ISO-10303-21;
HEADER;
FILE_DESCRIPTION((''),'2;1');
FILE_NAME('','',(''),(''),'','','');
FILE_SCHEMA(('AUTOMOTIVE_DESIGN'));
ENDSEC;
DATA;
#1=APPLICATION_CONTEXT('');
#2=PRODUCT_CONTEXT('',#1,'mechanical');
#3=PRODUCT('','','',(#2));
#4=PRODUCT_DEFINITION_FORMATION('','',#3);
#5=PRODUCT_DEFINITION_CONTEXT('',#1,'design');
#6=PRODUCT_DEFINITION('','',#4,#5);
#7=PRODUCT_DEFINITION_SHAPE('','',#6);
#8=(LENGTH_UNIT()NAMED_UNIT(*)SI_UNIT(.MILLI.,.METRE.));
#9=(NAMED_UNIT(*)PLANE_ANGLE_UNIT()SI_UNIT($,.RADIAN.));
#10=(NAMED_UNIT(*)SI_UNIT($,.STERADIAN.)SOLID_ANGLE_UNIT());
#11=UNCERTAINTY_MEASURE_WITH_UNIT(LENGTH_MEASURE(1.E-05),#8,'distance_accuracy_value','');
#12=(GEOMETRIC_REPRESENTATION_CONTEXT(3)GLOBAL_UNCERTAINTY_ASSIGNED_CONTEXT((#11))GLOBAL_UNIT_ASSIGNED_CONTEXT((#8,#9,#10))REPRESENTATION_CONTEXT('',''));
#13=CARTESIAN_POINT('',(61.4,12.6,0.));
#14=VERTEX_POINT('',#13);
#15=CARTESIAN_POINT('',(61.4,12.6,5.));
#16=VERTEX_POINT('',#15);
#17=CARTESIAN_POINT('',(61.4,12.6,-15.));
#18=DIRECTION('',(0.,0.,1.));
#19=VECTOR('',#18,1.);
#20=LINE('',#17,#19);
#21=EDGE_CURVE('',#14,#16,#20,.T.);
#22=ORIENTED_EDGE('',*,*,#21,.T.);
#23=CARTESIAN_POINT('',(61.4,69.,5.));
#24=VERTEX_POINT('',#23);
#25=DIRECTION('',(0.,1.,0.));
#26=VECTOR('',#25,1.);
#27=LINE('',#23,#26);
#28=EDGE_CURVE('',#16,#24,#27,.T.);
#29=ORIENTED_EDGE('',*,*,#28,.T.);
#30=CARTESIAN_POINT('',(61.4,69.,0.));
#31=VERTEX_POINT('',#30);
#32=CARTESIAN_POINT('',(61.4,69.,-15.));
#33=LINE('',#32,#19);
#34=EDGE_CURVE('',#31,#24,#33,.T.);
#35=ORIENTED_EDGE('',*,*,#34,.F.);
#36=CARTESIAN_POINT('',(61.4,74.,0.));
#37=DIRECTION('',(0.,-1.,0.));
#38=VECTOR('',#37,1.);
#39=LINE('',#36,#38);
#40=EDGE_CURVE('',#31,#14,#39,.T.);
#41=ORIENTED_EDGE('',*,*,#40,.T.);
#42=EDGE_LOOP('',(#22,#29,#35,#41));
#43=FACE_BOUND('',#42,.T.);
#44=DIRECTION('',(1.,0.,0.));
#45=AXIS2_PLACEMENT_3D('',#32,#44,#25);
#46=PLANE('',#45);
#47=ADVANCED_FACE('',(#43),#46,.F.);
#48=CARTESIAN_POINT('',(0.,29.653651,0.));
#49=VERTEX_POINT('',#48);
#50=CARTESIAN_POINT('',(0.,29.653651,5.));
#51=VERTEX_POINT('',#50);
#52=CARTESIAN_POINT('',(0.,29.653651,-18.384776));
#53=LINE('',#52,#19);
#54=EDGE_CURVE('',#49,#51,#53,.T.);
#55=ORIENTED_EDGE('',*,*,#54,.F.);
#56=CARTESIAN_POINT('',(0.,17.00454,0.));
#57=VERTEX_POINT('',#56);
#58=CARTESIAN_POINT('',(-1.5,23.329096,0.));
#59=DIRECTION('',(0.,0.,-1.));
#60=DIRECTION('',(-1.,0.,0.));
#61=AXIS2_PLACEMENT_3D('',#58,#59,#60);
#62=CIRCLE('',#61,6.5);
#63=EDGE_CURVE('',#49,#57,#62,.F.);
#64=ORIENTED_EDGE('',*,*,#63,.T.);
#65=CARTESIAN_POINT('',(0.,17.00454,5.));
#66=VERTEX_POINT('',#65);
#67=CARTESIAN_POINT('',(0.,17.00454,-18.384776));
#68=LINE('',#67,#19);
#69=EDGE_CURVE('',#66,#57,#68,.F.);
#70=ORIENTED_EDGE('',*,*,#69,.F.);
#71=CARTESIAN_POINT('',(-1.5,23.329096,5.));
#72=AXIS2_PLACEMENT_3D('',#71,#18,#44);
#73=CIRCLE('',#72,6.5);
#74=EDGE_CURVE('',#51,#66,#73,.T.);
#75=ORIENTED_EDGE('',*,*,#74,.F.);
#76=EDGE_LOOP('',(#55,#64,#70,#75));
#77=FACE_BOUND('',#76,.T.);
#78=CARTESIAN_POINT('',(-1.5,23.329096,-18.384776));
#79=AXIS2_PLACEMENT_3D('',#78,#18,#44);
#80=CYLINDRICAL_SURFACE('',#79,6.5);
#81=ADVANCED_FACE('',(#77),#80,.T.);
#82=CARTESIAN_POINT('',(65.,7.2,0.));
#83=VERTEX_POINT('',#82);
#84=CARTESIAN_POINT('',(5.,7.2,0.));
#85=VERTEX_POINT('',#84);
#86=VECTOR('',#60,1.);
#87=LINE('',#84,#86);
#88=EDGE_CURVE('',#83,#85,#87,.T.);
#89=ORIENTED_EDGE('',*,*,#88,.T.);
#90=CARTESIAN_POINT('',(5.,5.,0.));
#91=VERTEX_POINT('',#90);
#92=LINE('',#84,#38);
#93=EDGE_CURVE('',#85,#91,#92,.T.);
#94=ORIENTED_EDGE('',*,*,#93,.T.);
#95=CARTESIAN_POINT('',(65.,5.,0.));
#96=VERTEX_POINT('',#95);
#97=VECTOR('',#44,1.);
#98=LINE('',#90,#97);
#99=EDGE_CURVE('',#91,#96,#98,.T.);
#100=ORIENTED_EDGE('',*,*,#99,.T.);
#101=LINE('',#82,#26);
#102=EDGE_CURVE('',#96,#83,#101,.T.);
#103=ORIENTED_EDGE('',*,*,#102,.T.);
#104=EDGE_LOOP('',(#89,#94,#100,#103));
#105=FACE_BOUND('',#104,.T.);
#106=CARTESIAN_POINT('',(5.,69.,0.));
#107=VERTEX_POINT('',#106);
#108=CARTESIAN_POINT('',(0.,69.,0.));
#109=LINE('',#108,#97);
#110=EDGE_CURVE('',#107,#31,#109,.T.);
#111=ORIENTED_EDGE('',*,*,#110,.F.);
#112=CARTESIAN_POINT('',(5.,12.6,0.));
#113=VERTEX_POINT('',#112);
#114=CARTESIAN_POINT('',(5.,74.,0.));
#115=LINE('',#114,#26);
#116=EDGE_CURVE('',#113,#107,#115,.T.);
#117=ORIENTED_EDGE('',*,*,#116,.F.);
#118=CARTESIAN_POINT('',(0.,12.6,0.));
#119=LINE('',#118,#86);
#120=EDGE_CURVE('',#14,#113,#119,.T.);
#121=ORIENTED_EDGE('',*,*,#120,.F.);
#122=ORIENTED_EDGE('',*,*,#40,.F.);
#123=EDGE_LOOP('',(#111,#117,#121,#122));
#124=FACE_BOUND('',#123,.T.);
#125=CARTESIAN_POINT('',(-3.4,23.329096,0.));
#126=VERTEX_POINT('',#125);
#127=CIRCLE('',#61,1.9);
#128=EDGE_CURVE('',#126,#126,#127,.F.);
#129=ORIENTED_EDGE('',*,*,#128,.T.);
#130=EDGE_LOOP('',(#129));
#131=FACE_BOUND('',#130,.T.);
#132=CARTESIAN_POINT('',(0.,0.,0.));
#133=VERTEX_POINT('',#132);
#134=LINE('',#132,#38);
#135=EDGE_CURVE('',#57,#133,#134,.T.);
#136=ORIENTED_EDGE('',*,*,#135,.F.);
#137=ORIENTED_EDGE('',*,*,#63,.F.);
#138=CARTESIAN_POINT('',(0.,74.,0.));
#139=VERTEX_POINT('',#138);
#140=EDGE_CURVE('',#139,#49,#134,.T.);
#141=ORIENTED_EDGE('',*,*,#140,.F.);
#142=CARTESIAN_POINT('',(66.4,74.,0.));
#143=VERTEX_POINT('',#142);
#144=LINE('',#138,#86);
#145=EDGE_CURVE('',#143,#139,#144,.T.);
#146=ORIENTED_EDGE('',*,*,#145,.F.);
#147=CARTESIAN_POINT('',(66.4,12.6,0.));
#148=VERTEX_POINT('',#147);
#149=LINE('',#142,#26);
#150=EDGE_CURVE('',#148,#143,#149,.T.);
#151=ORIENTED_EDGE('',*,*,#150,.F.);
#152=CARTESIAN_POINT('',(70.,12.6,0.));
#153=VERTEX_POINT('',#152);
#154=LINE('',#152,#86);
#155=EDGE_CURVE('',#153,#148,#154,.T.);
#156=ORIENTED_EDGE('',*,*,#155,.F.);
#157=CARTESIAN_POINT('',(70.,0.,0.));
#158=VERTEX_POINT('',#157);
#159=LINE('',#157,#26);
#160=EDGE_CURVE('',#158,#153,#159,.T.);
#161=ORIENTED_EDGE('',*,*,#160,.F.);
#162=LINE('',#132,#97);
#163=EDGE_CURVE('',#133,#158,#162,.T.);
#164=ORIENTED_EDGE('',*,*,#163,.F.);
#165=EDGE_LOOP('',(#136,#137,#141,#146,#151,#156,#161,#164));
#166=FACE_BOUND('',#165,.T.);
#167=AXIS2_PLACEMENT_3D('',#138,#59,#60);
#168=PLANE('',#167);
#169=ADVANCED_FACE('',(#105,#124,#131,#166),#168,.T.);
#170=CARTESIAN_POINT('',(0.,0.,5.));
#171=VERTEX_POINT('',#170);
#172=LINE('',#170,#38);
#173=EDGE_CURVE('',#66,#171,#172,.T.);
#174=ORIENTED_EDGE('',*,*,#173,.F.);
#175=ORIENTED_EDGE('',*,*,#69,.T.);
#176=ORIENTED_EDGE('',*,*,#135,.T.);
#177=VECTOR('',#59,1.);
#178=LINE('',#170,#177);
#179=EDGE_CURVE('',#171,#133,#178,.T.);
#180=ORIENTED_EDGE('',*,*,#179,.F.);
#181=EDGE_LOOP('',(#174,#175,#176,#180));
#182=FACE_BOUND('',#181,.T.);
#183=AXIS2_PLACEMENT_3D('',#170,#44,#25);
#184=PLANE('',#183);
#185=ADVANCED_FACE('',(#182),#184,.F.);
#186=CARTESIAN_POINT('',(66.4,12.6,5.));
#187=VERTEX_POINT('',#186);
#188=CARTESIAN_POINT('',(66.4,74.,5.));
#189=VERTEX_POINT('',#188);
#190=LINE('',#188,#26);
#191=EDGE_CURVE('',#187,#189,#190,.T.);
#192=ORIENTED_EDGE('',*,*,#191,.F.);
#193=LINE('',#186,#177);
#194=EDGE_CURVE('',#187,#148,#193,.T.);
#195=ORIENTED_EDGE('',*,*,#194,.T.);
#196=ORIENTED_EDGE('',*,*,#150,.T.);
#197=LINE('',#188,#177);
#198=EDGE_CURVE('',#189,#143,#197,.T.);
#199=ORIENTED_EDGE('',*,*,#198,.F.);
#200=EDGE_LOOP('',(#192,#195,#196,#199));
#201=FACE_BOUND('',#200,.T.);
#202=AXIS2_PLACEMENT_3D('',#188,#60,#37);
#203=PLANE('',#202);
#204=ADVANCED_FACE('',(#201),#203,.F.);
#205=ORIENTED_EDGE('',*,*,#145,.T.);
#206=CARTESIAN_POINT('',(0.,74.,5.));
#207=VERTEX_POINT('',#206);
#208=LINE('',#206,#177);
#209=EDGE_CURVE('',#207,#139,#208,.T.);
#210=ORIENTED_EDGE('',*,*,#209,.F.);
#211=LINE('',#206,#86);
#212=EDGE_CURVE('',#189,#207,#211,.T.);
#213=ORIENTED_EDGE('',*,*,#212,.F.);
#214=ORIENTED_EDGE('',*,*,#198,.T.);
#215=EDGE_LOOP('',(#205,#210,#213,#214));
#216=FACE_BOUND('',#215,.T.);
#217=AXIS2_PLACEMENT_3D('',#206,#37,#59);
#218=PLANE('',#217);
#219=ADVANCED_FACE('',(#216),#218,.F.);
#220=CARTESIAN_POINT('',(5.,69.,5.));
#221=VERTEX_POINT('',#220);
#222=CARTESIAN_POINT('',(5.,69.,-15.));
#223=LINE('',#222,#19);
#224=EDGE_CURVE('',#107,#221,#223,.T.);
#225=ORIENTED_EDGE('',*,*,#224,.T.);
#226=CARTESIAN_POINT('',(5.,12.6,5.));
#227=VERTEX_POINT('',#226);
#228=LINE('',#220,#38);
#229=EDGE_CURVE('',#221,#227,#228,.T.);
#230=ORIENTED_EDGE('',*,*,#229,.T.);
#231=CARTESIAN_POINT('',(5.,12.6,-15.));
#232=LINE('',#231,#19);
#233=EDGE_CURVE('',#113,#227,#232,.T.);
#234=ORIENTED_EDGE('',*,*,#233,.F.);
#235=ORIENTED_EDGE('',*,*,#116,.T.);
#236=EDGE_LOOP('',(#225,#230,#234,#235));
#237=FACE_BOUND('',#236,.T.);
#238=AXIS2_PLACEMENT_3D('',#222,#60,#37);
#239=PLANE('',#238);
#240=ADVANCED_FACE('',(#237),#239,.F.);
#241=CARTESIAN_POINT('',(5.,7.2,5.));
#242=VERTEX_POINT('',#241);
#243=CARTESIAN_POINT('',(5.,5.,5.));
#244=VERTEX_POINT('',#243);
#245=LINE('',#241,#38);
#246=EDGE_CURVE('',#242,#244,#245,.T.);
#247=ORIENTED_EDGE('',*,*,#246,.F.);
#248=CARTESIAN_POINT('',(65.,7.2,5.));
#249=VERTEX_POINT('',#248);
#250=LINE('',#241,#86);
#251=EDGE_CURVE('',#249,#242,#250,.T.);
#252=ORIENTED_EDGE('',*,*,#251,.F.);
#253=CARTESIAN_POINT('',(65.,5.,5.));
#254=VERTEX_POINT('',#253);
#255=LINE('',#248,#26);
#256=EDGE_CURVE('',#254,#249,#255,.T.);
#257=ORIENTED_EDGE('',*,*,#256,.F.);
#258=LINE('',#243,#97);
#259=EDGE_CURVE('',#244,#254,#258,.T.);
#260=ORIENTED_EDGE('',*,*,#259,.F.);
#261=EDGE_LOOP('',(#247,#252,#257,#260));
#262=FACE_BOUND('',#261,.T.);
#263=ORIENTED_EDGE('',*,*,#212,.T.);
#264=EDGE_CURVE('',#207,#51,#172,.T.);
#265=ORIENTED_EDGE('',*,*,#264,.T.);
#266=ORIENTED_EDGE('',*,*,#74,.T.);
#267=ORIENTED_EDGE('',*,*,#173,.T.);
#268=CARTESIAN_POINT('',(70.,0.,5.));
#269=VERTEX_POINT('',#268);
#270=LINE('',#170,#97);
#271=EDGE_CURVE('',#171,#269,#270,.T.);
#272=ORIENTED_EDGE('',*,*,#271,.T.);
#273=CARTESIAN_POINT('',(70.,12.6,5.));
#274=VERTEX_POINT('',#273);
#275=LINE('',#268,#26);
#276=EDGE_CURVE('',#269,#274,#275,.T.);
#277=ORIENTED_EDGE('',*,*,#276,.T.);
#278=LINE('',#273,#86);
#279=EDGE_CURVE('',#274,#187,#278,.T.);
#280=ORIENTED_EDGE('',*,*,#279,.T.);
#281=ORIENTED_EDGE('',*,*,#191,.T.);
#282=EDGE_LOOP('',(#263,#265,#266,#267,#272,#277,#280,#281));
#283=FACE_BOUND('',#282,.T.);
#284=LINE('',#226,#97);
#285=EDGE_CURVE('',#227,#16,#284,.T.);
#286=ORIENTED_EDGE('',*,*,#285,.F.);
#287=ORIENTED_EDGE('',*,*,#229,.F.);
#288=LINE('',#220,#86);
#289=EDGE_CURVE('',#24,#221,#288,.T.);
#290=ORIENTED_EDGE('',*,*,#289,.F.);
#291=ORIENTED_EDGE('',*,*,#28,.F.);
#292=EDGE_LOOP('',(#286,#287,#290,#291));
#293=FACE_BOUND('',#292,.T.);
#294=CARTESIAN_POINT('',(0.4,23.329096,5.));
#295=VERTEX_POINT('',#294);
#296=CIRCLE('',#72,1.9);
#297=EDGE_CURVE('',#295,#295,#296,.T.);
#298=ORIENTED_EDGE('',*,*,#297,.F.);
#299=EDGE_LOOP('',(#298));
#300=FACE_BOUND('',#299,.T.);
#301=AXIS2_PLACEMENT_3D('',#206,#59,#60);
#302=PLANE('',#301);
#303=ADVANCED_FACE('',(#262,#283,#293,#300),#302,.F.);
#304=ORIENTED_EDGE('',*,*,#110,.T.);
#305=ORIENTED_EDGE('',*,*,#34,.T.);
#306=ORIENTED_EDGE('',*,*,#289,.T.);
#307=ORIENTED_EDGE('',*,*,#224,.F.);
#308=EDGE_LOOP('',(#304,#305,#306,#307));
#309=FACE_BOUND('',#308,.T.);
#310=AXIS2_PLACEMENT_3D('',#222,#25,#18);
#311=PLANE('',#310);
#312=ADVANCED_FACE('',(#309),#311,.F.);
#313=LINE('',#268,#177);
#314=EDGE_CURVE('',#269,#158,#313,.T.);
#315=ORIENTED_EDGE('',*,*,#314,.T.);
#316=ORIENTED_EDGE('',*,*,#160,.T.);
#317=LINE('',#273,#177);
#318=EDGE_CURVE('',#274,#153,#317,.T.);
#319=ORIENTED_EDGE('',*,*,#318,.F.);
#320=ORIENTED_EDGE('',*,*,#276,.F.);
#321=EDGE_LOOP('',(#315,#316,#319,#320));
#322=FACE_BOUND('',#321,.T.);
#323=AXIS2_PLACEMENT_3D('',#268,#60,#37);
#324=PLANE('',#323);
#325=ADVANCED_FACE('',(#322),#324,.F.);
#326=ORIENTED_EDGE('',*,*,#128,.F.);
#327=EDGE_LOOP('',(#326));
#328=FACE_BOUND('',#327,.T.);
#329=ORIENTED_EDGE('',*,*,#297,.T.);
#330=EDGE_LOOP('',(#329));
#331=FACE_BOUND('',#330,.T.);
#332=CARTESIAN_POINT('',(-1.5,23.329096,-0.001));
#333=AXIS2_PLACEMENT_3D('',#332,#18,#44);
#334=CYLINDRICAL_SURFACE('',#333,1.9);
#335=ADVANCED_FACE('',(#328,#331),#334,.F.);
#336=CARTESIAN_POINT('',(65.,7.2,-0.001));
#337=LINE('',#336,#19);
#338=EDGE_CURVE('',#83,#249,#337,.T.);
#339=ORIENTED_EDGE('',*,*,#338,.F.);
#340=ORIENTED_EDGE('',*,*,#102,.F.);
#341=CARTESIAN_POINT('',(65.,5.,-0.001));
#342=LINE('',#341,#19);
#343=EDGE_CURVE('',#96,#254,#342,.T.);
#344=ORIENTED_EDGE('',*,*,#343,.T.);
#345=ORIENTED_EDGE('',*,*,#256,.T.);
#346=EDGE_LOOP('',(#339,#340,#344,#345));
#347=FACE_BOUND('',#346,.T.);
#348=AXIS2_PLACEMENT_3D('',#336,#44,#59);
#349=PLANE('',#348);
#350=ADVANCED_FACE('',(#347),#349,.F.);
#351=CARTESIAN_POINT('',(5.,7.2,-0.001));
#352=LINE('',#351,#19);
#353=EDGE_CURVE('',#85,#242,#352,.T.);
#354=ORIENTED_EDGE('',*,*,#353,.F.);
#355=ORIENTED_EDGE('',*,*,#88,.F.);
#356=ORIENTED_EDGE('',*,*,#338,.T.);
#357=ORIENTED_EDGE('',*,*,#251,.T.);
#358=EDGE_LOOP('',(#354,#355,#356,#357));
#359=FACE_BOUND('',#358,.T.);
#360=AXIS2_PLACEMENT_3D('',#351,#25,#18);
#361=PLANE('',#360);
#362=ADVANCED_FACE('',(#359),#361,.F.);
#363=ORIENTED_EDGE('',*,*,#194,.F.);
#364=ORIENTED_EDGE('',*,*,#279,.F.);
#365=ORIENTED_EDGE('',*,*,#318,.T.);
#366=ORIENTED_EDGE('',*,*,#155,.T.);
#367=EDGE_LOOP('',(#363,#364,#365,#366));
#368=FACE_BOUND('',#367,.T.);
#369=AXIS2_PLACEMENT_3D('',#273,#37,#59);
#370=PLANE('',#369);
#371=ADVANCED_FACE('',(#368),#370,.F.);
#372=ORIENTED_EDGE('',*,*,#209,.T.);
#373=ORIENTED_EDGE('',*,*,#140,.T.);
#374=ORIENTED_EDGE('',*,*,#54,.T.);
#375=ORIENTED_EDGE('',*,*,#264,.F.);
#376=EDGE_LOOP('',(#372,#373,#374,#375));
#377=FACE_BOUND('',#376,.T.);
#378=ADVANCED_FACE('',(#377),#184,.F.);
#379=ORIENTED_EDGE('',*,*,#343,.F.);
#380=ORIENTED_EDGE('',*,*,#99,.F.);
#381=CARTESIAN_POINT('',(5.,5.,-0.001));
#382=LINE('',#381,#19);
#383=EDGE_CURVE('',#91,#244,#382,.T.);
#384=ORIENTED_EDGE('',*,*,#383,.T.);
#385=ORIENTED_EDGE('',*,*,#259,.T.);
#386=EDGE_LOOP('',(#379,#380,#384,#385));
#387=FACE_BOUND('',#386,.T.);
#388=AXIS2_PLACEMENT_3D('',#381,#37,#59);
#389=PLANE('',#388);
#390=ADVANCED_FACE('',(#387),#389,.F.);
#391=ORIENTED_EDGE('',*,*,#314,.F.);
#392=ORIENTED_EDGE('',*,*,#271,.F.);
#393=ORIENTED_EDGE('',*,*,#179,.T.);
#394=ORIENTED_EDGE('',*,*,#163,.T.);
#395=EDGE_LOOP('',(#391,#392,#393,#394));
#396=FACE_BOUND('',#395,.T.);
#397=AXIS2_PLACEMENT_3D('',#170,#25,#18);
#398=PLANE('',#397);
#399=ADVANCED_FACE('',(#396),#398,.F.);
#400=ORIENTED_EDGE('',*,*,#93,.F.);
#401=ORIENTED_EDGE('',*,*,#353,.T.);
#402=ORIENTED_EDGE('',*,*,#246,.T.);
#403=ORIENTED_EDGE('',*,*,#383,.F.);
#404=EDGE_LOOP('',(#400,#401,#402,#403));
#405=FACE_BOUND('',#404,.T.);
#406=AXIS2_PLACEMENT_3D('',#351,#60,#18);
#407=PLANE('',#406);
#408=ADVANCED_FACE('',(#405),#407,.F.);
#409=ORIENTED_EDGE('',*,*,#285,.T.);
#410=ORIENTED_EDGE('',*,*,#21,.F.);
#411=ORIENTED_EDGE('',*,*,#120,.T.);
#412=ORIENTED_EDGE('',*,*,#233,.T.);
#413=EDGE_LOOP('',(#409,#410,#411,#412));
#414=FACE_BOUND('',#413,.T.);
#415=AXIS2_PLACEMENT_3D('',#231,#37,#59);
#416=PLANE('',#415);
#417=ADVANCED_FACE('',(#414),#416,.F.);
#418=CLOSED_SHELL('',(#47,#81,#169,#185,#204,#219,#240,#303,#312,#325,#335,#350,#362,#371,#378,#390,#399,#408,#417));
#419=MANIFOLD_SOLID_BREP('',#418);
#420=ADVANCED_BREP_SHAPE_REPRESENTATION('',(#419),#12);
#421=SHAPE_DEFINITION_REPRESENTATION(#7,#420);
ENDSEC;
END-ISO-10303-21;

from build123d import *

# Parameters (mm, degrees)
SKETCH_1_W          = 70
SKETCH_1_H          = 74
EXTRUDE_1_DEPTH     = 5
CUT_EXTRUDE_2_REACH = 103.985
SKETCH_2_W          = 60
SKETCH_2_H          = 2.2
SKETCH_3_W          = 56.4
SKETCH_3_H          = 56.4
CUT_EXTRUDE_3_DEPTH = 20
SKETCH_4_W          = 3.6
SKETCH_4_H          = 61.4
CUT_EXTRUDE_5_DEPTH = 102.985293057
SKETCH_5_R          = 6.5
EXTRUDE_6_DEPTH     = 5
CUT_EXTRUDE_7_REACH = 103.985
SKETCH_6_R          = 1.9


with BuildPart() as part:
    # Эскиз1 → Вытянуть1 (new body)
    with BuildSketch(Plane.XY):
        with Locations((35, 37)):
            Rectangle(SKETCH_1_W, SKETCH_1_H)
    extrude(amount=EXTRUDE_1_DEPTH)

    # Эскиз2 → Вытянуть2 (cut, up to next)
    with BuildSketch(Plane.XY.offset(5), mode=Mode.PRIVATE) as cut_extrude_2_sk1:
        with Locations((35, 6.1)):
            Rectangle(SKETCH_2_W, SKETCH_2_H)
    cut_extrude_2_tool1 = extrude(cut_extrude_2_sk1.sketch, amount=-CUT_EXTRUDE_2_REACH, mode=Mode.PRIVATE) & part.part
    add(cut_extrude_2_tool1.solids().sort_by_distance((35, 6.1, 5))[0], mode=Mode.SUBTRACT)

    # Эскиз3 → Вытянуть3 (cut)
    with BuildSketch(Plane.XY.offset(5)):
        with Locations((33.2, 40.8)):
            Rectangle(SKETCH_3_W, SKETCH_3_H)
    extrude(amount=-CUT_EXTRUDE_3_DEPTH, mode=Mode.SUBTRACT)

    # Эскиз4 → Вытянуть5 (cut, through all)
    with BuildSketch(Plane(origin=(0, 0, 0), x_dir=(-1, 0, 0), z_dir=(0, 0, -1))):
        with Locations((-68.2, 43.3)):
            Rectangle(SKETCH_4_W, SKETCH_4_H)
    extrude(amount=-CUT_EXTRUDE_5_DEPTH, mode=Mode.SUBTRACT)

    # Эскиз5 → Вытянуть6 (add)
    with BuildSketch(Plane.XY.offset(5)):
        with Locations((-1.5, 23.329095616)):
            Circle(SKETCH_5_R)
    extrude(amount=-EXTRUDE_6_DEPTH)

    # Эскиз6 → Вытянуть7 (cut, up to next)
    with BuildSketch(Plane.XY.offset(5), mode=Mode.PRIVATE) as cut_extrude_7_sk1:
        with Locations((-1.5, 23.329095616)):
            Circle(SKETCH_6_R)
    cut_extrude_7_tool1 = extrude(cut_extrude_7_sk1.sketch, amount=-CUT_EXTRUDE_7_REACH, mode=Mode.PRIVATE) & part.part
    add(cut_extrude_7_tool1.solids().sort_by_distance((-1.5, 23.329096, 5))[0], mode=Mode.SUBTRACT)


solid = part.part
